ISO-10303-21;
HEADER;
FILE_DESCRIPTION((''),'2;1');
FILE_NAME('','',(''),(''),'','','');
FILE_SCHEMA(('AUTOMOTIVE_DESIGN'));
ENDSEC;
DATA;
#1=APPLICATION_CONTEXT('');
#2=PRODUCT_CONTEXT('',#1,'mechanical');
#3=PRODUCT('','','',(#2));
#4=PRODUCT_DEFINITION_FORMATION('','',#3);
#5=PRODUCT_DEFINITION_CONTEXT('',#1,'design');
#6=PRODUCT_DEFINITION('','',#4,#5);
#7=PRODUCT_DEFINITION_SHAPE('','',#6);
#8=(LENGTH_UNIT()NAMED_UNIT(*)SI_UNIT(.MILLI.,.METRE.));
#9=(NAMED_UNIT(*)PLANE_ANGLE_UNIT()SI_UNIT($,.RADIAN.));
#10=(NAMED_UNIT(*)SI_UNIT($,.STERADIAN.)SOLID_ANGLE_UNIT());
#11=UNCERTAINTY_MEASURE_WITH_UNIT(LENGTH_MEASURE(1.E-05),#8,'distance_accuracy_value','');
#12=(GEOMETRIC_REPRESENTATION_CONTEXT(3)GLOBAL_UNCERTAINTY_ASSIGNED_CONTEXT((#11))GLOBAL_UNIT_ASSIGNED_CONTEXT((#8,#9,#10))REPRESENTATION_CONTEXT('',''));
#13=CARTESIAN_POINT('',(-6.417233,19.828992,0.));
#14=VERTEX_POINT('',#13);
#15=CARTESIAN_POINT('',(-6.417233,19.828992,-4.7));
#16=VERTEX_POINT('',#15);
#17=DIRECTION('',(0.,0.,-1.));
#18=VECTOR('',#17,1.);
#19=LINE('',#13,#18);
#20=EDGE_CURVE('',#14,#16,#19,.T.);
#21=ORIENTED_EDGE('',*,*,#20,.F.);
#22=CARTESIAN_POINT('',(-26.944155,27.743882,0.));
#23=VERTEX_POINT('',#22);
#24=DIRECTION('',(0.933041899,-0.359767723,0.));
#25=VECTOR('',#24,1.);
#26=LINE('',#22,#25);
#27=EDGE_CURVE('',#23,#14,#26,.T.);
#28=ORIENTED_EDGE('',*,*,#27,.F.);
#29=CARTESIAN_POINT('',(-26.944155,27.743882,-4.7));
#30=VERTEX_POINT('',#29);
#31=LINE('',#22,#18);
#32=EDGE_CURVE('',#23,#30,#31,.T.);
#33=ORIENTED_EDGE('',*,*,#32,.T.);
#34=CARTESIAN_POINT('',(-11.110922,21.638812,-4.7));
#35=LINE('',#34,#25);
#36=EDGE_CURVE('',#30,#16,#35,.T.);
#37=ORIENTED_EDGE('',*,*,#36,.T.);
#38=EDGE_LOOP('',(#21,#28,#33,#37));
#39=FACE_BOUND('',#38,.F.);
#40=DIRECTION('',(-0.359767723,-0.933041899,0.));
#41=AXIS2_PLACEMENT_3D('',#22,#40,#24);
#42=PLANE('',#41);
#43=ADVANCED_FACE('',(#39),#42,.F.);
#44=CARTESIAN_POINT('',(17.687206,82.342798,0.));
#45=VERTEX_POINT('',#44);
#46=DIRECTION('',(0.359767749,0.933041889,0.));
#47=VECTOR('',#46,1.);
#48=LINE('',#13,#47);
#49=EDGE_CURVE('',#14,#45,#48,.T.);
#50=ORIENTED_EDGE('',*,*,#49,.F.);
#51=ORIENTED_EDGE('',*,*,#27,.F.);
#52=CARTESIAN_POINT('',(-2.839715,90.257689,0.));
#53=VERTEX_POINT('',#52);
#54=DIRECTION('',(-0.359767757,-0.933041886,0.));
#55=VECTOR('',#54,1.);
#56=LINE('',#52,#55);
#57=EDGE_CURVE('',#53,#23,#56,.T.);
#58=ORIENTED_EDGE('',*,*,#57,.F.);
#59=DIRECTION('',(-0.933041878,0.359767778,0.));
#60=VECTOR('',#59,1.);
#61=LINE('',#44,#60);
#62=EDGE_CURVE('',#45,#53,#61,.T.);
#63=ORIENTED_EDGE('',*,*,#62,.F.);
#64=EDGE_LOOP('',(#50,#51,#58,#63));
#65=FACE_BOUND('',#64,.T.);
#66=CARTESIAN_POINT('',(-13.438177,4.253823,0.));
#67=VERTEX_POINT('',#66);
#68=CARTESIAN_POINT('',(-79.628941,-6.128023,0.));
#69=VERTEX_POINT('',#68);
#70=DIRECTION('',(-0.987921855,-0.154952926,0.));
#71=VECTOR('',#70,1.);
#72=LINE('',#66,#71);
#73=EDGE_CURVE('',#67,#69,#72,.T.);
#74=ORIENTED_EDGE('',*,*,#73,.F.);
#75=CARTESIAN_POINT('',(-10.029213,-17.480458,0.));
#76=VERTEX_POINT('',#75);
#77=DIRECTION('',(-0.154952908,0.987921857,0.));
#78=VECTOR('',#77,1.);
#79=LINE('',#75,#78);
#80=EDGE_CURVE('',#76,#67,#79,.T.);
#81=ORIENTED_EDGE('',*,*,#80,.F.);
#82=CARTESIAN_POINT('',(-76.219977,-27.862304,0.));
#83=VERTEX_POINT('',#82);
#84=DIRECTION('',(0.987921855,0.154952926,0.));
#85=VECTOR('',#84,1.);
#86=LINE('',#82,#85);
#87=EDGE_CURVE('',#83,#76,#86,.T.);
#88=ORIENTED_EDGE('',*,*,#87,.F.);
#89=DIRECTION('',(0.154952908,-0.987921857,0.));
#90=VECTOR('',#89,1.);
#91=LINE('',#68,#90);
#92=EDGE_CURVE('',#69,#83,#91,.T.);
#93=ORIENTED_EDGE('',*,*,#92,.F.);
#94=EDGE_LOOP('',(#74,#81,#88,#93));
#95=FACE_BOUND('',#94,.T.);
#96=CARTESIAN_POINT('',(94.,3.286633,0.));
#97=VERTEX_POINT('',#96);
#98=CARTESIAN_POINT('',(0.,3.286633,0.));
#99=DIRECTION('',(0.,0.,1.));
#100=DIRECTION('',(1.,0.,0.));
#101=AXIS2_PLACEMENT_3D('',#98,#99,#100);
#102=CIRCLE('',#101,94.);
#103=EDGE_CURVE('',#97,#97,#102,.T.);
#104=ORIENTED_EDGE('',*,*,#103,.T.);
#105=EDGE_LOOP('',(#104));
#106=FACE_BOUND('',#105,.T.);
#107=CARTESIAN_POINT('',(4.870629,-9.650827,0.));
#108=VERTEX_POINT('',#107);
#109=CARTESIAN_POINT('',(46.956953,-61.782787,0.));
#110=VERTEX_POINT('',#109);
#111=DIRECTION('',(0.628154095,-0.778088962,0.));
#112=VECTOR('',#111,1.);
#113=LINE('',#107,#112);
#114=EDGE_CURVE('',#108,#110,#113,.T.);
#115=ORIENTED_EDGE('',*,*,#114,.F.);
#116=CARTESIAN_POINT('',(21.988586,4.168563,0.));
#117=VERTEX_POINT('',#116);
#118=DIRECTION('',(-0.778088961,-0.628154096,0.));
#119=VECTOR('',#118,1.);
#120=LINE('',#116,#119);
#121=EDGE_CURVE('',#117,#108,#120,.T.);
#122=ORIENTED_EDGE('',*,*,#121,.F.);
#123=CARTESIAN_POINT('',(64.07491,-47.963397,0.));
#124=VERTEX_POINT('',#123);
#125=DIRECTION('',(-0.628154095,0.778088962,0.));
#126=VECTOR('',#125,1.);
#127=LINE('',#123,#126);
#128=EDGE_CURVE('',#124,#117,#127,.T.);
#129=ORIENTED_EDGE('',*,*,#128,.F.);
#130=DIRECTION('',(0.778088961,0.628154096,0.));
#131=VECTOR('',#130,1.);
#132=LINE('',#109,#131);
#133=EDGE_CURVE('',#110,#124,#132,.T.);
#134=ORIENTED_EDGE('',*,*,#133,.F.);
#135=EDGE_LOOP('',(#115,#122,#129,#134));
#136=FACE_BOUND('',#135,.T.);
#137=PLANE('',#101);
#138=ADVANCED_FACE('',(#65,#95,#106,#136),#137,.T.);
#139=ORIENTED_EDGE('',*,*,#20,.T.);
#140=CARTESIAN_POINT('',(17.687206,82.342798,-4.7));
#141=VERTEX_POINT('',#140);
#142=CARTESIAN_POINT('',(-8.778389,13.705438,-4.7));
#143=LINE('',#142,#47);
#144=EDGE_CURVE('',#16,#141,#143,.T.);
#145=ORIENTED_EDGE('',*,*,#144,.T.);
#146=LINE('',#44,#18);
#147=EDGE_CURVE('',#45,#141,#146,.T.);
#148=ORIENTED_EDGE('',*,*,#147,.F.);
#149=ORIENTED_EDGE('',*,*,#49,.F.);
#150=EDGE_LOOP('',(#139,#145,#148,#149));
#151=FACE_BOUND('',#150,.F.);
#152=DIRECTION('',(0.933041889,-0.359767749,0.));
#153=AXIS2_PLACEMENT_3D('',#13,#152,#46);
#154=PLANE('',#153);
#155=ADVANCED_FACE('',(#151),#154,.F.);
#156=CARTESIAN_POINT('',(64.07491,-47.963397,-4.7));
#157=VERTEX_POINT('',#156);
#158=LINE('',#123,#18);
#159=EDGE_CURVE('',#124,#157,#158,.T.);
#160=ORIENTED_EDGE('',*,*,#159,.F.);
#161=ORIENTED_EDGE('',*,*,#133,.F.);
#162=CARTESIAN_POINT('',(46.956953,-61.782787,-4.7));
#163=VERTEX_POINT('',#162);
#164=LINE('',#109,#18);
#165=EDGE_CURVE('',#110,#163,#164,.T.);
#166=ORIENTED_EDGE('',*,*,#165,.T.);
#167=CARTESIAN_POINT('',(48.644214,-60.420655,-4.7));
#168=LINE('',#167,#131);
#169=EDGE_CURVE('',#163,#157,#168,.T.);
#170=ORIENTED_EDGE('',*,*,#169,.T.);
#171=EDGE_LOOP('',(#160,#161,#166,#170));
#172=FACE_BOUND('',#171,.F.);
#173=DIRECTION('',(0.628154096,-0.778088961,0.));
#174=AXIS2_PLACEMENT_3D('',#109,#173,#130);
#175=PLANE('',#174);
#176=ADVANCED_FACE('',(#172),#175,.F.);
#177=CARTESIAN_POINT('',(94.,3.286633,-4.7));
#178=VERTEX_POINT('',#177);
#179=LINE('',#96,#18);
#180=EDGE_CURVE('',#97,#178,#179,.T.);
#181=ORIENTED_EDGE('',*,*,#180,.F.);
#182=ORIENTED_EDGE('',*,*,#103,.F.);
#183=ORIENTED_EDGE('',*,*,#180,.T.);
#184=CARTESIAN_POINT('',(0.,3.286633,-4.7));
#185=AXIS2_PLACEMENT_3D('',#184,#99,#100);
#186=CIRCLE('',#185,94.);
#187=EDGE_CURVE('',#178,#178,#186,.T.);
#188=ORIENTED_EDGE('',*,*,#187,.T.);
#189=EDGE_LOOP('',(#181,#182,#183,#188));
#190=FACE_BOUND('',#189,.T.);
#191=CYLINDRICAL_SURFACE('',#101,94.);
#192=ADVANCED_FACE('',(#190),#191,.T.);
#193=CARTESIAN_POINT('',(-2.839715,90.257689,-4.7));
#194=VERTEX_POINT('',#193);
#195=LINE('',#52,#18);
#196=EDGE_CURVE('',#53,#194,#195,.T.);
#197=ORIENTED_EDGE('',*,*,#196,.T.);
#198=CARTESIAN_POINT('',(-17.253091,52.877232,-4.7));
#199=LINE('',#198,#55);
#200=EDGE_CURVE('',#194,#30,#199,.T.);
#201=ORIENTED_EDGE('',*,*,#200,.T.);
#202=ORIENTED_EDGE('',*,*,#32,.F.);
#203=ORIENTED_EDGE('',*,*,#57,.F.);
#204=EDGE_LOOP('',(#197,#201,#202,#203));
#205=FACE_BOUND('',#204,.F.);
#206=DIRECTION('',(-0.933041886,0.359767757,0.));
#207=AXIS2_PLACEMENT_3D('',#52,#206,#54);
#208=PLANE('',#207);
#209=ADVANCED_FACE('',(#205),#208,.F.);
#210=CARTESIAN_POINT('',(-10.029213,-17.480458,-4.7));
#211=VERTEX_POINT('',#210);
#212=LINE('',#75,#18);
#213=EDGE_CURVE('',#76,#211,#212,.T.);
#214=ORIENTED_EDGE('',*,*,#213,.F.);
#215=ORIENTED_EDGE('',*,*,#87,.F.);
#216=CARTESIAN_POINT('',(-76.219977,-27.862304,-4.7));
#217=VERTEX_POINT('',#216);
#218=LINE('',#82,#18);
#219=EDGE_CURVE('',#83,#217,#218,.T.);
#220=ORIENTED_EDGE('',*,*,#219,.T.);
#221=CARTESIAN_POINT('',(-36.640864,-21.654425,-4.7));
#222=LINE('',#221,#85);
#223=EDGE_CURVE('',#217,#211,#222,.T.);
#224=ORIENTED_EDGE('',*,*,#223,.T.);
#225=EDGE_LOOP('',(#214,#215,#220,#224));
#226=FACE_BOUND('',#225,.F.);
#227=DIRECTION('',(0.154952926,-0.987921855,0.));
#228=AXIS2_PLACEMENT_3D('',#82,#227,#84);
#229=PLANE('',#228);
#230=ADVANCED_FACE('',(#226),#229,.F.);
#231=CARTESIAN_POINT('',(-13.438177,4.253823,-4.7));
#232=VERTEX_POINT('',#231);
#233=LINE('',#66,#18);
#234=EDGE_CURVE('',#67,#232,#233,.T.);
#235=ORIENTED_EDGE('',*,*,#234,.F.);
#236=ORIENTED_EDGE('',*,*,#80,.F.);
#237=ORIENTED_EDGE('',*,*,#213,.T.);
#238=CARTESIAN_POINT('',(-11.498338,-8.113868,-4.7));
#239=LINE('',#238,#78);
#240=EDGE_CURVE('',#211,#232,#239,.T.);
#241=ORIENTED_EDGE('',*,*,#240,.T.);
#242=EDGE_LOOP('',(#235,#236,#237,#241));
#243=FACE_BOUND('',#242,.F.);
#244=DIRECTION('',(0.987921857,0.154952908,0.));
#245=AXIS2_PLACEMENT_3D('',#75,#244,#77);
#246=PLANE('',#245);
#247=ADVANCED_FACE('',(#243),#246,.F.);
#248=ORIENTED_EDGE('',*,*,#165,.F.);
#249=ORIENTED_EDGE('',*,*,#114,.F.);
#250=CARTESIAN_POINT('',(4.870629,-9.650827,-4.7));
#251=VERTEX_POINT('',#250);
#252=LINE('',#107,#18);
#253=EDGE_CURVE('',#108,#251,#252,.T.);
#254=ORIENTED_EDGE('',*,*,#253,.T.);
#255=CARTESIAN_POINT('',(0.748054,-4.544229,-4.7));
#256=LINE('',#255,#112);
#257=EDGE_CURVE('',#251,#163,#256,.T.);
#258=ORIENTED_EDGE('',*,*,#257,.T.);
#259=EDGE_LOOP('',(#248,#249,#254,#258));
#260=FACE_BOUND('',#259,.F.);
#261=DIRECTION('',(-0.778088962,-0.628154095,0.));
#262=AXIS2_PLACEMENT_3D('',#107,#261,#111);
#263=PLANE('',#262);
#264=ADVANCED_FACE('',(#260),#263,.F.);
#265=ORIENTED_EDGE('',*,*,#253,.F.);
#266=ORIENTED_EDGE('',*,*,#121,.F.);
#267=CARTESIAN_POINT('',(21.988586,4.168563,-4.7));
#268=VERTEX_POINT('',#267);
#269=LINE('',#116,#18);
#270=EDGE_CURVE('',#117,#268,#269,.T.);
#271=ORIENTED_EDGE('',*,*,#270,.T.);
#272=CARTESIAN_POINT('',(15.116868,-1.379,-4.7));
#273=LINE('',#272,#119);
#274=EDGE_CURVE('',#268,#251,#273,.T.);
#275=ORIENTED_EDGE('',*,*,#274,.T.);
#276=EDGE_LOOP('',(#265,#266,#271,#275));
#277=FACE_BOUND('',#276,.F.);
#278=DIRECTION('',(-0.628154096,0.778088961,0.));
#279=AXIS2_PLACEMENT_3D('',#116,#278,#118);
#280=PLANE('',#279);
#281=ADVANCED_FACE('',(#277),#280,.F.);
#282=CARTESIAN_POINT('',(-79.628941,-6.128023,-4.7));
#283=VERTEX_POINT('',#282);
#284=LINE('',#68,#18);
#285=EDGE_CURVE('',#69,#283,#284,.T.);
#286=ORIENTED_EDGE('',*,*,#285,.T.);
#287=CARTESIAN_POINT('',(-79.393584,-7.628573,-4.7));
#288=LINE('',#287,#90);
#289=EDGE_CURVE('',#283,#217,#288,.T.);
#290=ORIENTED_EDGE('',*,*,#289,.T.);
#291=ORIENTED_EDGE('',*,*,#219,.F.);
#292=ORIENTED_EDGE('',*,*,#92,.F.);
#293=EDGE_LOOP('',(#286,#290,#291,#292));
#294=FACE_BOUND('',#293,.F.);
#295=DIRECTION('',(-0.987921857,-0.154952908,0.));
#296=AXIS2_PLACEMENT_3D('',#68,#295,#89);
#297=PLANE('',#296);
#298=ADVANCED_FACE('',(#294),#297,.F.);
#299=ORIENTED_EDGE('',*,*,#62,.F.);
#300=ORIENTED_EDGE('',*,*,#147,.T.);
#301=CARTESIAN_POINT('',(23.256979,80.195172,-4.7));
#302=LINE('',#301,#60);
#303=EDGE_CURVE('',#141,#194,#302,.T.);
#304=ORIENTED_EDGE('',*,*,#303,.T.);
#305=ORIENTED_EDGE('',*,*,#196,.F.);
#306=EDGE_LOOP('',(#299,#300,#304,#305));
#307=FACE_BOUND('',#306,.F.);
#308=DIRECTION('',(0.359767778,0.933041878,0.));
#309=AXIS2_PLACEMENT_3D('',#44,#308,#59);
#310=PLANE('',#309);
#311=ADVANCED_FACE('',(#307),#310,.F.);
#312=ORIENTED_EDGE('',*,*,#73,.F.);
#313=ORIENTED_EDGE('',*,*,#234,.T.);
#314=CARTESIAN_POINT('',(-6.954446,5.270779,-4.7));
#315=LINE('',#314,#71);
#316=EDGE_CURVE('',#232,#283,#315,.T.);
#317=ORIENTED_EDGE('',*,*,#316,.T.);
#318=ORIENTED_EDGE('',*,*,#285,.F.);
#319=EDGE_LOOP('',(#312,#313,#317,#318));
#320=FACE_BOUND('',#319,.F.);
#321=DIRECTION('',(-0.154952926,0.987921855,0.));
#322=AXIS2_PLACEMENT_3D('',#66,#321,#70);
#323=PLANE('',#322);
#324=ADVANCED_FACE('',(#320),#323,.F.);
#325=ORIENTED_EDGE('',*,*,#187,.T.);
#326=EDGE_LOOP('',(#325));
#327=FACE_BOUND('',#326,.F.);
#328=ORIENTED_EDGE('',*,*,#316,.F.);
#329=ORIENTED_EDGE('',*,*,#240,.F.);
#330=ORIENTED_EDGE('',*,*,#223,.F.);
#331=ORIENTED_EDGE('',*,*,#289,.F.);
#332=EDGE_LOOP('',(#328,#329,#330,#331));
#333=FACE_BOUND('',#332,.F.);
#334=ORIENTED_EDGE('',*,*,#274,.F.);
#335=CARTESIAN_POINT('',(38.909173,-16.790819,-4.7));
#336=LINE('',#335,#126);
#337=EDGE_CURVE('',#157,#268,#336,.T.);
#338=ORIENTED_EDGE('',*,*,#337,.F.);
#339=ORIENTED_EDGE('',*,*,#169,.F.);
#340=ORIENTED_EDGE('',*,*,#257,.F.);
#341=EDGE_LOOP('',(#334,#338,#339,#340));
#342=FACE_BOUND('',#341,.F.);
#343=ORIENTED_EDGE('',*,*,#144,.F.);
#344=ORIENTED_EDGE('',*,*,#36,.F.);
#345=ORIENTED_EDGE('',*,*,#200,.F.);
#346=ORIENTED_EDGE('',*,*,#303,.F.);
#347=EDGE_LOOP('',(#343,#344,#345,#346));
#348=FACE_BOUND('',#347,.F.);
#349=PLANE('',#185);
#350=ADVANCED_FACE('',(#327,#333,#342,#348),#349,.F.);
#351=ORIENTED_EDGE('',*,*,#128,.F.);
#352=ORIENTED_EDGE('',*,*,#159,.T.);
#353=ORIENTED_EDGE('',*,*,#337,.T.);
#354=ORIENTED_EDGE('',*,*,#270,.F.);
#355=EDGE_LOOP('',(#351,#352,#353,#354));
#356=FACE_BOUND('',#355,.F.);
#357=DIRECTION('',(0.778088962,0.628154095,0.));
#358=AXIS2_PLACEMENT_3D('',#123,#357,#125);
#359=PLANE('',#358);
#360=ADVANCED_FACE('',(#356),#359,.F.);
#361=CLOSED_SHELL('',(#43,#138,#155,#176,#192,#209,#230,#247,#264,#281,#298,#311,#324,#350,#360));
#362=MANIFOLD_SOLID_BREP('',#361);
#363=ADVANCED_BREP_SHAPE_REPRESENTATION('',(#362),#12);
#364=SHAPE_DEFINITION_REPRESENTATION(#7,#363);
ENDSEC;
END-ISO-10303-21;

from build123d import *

# Parameters (mm, degrees)
F0_R     = 94
F2_DEPTH = 4.7
F5_DEPTH = 4.8


with BuildPart() as f2:
    # F0 (on Top) → F2 (new body)
    with BuildSketch(Plane.XY):
        with Locations((0, 3.286633)):
            Circle(F0_R)
    extrude(amount=-F2_DEPTH)

    # F1 (on Top) + F3 (on Top) + F4 (on Top) → F5 (cut)
    with BuildSketch(Plane.XY):
        Polygon((21.988586, 4.168563), (4.870629, -9.650827), (46.956953, -61.782787), (64.07491, -47.963397), align=None)
    with BuildSketch(Plane.XY):
        Polygon((-26.944155, 27.743882), (-6.417233, 19.828992), (17.687206, 82.342798), (-2.839715, 90.257689), align=None)
    with BuildSketch(Plane.XY):
        Polygon((-10.029213, -17.480458), (-13.438177, 4.253823), (-79.628941, -6.128023), (-76.219977, -27.862304), align=None)
    extrude(amount=-F5_DEPTH, mode=Mode.SUBTRACT)


solid = f2.part
